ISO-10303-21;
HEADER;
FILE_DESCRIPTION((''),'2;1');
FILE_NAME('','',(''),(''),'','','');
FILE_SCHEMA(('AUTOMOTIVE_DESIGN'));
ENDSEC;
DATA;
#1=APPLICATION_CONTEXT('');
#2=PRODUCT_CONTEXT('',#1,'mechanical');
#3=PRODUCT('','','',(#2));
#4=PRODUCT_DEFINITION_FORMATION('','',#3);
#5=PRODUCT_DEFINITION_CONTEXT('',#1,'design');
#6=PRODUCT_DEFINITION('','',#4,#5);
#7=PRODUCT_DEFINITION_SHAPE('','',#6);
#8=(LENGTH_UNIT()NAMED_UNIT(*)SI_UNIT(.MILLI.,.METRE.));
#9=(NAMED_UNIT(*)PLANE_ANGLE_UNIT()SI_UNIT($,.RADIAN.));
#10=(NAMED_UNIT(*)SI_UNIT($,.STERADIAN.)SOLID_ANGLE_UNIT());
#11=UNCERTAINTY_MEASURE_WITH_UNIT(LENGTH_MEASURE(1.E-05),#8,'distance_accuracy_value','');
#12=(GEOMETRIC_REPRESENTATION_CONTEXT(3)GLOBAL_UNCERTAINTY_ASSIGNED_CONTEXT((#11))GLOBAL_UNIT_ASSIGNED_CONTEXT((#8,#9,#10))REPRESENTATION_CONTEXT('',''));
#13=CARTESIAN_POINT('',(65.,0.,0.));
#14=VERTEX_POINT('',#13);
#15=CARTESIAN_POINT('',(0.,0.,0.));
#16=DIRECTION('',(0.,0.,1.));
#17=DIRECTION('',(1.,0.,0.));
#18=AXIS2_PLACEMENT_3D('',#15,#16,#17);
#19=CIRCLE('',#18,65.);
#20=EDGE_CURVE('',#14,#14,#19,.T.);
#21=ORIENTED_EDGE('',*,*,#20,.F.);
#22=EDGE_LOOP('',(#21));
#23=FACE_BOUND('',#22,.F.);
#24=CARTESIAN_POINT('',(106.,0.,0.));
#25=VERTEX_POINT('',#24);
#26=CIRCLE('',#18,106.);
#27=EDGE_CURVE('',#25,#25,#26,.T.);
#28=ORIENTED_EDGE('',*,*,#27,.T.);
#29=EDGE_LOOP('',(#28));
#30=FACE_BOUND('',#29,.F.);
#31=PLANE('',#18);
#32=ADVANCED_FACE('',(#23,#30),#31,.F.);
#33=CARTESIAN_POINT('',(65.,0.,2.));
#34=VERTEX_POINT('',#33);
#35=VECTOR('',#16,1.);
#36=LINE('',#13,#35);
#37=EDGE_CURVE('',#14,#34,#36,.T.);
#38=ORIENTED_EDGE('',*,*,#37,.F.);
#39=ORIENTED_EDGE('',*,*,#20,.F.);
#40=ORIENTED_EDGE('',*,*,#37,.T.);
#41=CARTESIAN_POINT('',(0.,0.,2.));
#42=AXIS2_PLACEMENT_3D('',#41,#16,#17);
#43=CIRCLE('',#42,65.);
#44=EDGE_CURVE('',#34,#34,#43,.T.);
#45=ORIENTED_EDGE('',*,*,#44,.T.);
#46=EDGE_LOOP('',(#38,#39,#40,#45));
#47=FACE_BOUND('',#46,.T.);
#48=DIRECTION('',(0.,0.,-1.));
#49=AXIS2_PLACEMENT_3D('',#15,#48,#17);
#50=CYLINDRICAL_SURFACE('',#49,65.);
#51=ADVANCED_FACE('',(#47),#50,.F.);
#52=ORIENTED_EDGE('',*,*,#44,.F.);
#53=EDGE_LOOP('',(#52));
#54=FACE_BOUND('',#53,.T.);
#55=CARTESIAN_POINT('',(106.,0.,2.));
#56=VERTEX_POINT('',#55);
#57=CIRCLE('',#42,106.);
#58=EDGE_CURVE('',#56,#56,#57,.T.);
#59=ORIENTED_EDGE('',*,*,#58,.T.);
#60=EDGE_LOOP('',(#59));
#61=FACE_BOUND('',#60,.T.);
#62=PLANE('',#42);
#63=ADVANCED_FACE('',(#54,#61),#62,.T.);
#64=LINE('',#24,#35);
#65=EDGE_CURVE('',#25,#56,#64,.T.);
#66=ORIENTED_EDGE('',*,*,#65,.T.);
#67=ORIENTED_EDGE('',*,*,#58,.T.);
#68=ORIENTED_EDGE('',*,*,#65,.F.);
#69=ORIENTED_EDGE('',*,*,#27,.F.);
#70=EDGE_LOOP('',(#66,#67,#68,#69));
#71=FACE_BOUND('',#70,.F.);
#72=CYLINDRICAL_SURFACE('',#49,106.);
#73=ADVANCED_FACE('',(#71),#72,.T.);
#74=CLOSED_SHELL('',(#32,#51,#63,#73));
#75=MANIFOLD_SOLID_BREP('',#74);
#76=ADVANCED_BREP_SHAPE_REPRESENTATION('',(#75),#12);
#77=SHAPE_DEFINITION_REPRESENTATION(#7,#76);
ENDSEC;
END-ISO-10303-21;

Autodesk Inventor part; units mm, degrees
ref_plane "YZ Plane" through (0, 0, 0) normal (1, 0, 0) x (0, 1, 0)
ref_plane "XZ Plane" through (0, 0, 0) normal (0, 1, 0) x (-1, 0, 0)
ref_plane "XY Plane" through (0, 0, 0) normal (0, 0, 1) x (1, 0, 0)
sketch "Sketch1" plane through (0, 0, 0) normal (0, 0, 1) x (1, 0, 0)
  circle A0 centre (0, 0) radius 106
  circle A1 centre (0, 0) radius 65
  dimension "d0" = 212
  dimension "d1" = 130
extrude "Extrusion1" add sketch "Sketch1" along normal blind 2
properties part number "Lid_B" material "PMMA Plastic"
